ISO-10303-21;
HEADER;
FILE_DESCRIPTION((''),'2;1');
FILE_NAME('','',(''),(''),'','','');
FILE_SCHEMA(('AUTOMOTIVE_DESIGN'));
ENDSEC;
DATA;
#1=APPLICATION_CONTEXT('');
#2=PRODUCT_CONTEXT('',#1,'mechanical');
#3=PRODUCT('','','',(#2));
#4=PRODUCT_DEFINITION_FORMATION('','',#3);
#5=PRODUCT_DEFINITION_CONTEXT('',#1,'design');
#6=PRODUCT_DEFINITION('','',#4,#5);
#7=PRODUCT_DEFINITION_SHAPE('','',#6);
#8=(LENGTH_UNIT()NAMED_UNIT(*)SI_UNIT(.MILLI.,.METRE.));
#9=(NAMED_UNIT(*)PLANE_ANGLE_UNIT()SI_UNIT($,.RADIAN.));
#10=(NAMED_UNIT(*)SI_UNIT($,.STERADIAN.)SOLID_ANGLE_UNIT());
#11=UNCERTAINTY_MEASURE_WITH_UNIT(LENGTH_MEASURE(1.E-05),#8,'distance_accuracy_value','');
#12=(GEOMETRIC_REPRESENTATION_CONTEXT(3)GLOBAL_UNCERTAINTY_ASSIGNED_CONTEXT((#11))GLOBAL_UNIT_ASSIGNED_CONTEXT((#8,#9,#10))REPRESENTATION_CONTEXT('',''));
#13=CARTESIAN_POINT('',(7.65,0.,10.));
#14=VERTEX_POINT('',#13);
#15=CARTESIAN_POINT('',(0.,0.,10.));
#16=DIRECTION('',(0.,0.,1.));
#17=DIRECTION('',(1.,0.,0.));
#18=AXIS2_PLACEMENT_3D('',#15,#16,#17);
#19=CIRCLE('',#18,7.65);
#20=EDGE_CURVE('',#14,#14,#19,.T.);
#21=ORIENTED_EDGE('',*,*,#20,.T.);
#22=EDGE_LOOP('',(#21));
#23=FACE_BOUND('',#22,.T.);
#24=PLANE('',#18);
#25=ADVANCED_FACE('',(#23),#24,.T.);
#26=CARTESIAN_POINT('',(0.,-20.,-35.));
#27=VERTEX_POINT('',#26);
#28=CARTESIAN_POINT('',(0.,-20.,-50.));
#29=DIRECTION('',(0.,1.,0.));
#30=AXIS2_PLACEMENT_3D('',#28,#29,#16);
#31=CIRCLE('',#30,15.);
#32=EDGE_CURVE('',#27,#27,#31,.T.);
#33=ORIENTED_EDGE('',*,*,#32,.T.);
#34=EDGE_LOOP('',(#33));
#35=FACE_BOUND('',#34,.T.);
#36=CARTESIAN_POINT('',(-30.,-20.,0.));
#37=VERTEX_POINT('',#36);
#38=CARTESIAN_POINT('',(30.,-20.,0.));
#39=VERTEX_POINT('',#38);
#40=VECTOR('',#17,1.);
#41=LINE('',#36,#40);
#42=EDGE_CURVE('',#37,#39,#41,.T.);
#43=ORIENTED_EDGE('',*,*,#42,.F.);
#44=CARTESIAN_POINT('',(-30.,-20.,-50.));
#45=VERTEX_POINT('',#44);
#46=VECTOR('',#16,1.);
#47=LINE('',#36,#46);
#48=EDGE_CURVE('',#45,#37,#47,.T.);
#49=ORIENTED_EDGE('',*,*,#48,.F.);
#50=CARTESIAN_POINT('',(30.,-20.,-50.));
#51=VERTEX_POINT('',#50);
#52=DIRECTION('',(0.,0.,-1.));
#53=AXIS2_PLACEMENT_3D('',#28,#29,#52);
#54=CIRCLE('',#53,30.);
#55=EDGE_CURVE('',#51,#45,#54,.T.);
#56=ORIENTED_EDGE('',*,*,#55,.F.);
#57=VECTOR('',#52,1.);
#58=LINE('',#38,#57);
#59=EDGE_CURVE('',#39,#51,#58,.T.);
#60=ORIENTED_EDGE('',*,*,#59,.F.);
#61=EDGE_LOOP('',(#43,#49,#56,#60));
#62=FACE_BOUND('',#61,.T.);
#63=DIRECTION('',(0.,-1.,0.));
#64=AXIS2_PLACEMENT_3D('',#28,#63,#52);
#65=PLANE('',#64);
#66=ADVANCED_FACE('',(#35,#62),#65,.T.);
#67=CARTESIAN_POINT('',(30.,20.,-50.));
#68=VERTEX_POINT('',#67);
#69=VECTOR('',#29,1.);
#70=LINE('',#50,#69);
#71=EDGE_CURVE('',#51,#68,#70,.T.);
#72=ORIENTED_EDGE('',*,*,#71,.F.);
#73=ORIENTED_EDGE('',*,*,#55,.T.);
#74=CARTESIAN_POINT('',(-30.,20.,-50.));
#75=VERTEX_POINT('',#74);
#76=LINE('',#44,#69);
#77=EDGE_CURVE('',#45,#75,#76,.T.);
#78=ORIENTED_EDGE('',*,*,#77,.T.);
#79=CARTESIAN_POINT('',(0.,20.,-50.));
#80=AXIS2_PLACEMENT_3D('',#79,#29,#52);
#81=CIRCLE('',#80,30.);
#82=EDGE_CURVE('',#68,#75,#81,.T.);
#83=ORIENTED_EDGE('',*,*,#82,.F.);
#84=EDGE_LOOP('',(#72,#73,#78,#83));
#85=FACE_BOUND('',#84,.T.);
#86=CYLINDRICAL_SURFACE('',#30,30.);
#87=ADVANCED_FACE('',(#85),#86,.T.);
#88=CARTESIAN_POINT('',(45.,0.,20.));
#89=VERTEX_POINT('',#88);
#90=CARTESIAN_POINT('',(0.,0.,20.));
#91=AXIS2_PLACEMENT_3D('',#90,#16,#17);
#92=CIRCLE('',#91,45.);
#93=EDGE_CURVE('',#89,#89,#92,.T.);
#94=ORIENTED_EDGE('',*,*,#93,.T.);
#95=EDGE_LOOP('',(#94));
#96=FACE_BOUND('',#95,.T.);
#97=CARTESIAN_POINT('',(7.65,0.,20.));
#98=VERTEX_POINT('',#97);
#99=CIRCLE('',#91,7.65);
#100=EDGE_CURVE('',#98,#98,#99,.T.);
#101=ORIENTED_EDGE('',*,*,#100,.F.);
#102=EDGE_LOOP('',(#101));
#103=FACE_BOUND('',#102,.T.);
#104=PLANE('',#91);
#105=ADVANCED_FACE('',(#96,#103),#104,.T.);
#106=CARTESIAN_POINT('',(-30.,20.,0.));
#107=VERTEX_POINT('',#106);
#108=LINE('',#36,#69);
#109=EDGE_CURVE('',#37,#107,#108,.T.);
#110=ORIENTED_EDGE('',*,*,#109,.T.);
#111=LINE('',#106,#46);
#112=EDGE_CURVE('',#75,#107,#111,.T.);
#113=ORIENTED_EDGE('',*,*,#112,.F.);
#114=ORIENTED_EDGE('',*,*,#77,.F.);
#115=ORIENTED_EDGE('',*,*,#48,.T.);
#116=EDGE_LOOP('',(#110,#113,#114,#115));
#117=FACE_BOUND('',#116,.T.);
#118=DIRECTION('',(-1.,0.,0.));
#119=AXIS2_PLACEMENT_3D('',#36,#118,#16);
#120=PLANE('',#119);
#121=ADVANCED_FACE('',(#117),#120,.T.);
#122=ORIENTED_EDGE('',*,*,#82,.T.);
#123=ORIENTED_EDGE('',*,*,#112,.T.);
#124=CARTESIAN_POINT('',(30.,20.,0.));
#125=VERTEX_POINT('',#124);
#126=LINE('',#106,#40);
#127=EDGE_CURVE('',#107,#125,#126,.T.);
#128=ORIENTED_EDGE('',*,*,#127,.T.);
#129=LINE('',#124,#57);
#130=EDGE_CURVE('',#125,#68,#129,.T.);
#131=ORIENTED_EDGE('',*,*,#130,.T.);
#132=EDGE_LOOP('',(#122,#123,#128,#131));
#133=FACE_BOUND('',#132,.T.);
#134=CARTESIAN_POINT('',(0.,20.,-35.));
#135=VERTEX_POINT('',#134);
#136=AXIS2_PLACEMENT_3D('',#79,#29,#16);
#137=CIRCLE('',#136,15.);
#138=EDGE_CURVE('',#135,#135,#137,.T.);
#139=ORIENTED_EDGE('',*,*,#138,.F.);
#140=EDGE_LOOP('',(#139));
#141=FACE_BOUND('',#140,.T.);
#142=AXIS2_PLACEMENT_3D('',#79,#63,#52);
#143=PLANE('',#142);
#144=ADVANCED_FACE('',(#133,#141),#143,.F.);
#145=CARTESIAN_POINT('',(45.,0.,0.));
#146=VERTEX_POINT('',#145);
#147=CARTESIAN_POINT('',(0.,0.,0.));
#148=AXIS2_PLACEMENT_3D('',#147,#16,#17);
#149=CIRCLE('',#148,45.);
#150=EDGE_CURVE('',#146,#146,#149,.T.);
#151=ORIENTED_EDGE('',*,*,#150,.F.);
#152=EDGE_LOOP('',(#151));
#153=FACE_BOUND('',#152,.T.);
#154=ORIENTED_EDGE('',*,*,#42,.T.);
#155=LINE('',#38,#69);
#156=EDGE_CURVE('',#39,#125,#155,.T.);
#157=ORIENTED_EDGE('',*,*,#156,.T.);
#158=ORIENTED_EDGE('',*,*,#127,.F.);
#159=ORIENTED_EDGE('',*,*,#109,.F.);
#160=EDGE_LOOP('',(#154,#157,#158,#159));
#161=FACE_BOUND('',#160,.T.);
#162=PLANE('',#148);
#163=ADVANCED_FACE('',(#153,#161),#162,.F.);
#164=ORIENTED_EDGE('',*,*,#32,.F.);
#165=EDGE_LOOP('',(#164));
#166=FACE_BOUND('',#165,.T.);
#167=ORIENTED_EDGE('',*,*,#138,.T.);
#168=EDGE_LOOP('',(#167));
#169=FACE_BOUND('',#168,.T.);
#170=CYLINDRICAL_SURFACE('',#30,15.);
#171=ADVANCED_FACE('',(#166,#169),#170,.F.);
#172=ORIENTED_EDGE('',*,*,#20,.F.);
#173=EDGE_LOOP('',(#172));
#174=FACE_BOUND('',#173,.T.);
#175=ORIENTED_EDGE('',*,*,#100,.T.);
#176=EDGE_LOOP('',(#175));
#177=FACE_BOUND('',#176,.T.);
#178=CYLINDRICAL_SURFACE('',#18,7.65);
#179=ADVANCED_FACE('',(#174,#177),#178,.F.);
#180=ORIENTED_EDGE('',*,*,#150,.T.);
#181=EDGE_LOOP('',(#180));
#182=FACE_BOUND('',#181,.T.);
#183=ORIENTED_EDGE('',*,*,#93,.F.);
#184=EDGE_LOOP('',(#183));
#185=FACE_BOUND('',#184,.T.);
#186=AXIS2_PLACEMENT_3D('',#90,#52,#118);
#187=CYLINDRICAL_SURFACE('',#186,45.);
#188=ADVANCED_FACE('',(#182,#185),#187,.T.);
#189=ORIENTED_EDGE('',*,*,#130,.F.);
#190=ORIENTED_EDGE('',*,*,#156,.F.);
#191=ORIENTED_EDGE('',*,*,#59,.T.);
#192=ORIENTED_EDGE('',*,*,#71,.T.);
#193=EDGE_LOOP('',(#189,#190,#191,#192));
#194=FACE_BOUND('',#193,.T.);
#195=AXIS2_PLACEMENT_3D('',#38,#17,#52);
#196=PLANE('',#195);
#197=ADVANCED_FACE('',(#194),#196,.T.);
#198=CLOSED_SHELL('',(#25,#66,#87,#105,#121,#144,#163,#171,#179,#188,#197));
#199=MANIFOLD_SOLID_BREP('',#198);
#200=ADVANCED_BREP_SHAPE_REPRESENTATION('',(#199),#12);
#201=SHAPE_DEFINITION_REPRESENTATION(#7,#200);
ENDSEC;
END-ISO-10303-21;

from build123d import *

# Parameters (mm, degrees)
SKETCH_1_R          = 15
EXTRUDE_1_DEPTH     = 20
SKETCH_2_R          = 45
EXTRUDE_2_DEPTH     = 20
SKETCH_3_R          = 7.65
CUT_EXTRUDE_1_DEPTH = 10


with BuildPart() as part:
    # 草图1 → 凸台-拉伸1 (new body, symmetric)
    with BuildSketch(Plane(origin=(0, 0, 0), x_dir=(1, 0, 0), z_dir=(0, 1, 0))):
        with BuildLine():
            Line((-30, 0), (-30, 50))
            ThreePointArc((-30, 50), (0, 80), (30, 50))
            Line((30, 50), (30, 0))
            Line((30, 0), (-30, 0))
        make_face()
        with Locations((0, 50)):
            Circle(SKETCH_1_R, mode=Mode.SUBTRACT)
    extrude(amount=EXTRUDE_1_DEPTH, both=True)

    # 草图2 → 凸台-拉伸2 (add)
    with BuildSketch(Plane.XY):
        Circle(SKETCH_2_R)
    extrude(amount=EXTRUDE_2_DEPTH)

    # 草图3 → 切除-拉伸1 (cut)
    with BuildSketch(Plane.XY.offset(20)):
        Circle(SKETCH_3_R)
    extrude(amount=-CUT_EXTRUDE_1_DEPTH, mode=Mode.SUBTRACT)


solid = part.part
